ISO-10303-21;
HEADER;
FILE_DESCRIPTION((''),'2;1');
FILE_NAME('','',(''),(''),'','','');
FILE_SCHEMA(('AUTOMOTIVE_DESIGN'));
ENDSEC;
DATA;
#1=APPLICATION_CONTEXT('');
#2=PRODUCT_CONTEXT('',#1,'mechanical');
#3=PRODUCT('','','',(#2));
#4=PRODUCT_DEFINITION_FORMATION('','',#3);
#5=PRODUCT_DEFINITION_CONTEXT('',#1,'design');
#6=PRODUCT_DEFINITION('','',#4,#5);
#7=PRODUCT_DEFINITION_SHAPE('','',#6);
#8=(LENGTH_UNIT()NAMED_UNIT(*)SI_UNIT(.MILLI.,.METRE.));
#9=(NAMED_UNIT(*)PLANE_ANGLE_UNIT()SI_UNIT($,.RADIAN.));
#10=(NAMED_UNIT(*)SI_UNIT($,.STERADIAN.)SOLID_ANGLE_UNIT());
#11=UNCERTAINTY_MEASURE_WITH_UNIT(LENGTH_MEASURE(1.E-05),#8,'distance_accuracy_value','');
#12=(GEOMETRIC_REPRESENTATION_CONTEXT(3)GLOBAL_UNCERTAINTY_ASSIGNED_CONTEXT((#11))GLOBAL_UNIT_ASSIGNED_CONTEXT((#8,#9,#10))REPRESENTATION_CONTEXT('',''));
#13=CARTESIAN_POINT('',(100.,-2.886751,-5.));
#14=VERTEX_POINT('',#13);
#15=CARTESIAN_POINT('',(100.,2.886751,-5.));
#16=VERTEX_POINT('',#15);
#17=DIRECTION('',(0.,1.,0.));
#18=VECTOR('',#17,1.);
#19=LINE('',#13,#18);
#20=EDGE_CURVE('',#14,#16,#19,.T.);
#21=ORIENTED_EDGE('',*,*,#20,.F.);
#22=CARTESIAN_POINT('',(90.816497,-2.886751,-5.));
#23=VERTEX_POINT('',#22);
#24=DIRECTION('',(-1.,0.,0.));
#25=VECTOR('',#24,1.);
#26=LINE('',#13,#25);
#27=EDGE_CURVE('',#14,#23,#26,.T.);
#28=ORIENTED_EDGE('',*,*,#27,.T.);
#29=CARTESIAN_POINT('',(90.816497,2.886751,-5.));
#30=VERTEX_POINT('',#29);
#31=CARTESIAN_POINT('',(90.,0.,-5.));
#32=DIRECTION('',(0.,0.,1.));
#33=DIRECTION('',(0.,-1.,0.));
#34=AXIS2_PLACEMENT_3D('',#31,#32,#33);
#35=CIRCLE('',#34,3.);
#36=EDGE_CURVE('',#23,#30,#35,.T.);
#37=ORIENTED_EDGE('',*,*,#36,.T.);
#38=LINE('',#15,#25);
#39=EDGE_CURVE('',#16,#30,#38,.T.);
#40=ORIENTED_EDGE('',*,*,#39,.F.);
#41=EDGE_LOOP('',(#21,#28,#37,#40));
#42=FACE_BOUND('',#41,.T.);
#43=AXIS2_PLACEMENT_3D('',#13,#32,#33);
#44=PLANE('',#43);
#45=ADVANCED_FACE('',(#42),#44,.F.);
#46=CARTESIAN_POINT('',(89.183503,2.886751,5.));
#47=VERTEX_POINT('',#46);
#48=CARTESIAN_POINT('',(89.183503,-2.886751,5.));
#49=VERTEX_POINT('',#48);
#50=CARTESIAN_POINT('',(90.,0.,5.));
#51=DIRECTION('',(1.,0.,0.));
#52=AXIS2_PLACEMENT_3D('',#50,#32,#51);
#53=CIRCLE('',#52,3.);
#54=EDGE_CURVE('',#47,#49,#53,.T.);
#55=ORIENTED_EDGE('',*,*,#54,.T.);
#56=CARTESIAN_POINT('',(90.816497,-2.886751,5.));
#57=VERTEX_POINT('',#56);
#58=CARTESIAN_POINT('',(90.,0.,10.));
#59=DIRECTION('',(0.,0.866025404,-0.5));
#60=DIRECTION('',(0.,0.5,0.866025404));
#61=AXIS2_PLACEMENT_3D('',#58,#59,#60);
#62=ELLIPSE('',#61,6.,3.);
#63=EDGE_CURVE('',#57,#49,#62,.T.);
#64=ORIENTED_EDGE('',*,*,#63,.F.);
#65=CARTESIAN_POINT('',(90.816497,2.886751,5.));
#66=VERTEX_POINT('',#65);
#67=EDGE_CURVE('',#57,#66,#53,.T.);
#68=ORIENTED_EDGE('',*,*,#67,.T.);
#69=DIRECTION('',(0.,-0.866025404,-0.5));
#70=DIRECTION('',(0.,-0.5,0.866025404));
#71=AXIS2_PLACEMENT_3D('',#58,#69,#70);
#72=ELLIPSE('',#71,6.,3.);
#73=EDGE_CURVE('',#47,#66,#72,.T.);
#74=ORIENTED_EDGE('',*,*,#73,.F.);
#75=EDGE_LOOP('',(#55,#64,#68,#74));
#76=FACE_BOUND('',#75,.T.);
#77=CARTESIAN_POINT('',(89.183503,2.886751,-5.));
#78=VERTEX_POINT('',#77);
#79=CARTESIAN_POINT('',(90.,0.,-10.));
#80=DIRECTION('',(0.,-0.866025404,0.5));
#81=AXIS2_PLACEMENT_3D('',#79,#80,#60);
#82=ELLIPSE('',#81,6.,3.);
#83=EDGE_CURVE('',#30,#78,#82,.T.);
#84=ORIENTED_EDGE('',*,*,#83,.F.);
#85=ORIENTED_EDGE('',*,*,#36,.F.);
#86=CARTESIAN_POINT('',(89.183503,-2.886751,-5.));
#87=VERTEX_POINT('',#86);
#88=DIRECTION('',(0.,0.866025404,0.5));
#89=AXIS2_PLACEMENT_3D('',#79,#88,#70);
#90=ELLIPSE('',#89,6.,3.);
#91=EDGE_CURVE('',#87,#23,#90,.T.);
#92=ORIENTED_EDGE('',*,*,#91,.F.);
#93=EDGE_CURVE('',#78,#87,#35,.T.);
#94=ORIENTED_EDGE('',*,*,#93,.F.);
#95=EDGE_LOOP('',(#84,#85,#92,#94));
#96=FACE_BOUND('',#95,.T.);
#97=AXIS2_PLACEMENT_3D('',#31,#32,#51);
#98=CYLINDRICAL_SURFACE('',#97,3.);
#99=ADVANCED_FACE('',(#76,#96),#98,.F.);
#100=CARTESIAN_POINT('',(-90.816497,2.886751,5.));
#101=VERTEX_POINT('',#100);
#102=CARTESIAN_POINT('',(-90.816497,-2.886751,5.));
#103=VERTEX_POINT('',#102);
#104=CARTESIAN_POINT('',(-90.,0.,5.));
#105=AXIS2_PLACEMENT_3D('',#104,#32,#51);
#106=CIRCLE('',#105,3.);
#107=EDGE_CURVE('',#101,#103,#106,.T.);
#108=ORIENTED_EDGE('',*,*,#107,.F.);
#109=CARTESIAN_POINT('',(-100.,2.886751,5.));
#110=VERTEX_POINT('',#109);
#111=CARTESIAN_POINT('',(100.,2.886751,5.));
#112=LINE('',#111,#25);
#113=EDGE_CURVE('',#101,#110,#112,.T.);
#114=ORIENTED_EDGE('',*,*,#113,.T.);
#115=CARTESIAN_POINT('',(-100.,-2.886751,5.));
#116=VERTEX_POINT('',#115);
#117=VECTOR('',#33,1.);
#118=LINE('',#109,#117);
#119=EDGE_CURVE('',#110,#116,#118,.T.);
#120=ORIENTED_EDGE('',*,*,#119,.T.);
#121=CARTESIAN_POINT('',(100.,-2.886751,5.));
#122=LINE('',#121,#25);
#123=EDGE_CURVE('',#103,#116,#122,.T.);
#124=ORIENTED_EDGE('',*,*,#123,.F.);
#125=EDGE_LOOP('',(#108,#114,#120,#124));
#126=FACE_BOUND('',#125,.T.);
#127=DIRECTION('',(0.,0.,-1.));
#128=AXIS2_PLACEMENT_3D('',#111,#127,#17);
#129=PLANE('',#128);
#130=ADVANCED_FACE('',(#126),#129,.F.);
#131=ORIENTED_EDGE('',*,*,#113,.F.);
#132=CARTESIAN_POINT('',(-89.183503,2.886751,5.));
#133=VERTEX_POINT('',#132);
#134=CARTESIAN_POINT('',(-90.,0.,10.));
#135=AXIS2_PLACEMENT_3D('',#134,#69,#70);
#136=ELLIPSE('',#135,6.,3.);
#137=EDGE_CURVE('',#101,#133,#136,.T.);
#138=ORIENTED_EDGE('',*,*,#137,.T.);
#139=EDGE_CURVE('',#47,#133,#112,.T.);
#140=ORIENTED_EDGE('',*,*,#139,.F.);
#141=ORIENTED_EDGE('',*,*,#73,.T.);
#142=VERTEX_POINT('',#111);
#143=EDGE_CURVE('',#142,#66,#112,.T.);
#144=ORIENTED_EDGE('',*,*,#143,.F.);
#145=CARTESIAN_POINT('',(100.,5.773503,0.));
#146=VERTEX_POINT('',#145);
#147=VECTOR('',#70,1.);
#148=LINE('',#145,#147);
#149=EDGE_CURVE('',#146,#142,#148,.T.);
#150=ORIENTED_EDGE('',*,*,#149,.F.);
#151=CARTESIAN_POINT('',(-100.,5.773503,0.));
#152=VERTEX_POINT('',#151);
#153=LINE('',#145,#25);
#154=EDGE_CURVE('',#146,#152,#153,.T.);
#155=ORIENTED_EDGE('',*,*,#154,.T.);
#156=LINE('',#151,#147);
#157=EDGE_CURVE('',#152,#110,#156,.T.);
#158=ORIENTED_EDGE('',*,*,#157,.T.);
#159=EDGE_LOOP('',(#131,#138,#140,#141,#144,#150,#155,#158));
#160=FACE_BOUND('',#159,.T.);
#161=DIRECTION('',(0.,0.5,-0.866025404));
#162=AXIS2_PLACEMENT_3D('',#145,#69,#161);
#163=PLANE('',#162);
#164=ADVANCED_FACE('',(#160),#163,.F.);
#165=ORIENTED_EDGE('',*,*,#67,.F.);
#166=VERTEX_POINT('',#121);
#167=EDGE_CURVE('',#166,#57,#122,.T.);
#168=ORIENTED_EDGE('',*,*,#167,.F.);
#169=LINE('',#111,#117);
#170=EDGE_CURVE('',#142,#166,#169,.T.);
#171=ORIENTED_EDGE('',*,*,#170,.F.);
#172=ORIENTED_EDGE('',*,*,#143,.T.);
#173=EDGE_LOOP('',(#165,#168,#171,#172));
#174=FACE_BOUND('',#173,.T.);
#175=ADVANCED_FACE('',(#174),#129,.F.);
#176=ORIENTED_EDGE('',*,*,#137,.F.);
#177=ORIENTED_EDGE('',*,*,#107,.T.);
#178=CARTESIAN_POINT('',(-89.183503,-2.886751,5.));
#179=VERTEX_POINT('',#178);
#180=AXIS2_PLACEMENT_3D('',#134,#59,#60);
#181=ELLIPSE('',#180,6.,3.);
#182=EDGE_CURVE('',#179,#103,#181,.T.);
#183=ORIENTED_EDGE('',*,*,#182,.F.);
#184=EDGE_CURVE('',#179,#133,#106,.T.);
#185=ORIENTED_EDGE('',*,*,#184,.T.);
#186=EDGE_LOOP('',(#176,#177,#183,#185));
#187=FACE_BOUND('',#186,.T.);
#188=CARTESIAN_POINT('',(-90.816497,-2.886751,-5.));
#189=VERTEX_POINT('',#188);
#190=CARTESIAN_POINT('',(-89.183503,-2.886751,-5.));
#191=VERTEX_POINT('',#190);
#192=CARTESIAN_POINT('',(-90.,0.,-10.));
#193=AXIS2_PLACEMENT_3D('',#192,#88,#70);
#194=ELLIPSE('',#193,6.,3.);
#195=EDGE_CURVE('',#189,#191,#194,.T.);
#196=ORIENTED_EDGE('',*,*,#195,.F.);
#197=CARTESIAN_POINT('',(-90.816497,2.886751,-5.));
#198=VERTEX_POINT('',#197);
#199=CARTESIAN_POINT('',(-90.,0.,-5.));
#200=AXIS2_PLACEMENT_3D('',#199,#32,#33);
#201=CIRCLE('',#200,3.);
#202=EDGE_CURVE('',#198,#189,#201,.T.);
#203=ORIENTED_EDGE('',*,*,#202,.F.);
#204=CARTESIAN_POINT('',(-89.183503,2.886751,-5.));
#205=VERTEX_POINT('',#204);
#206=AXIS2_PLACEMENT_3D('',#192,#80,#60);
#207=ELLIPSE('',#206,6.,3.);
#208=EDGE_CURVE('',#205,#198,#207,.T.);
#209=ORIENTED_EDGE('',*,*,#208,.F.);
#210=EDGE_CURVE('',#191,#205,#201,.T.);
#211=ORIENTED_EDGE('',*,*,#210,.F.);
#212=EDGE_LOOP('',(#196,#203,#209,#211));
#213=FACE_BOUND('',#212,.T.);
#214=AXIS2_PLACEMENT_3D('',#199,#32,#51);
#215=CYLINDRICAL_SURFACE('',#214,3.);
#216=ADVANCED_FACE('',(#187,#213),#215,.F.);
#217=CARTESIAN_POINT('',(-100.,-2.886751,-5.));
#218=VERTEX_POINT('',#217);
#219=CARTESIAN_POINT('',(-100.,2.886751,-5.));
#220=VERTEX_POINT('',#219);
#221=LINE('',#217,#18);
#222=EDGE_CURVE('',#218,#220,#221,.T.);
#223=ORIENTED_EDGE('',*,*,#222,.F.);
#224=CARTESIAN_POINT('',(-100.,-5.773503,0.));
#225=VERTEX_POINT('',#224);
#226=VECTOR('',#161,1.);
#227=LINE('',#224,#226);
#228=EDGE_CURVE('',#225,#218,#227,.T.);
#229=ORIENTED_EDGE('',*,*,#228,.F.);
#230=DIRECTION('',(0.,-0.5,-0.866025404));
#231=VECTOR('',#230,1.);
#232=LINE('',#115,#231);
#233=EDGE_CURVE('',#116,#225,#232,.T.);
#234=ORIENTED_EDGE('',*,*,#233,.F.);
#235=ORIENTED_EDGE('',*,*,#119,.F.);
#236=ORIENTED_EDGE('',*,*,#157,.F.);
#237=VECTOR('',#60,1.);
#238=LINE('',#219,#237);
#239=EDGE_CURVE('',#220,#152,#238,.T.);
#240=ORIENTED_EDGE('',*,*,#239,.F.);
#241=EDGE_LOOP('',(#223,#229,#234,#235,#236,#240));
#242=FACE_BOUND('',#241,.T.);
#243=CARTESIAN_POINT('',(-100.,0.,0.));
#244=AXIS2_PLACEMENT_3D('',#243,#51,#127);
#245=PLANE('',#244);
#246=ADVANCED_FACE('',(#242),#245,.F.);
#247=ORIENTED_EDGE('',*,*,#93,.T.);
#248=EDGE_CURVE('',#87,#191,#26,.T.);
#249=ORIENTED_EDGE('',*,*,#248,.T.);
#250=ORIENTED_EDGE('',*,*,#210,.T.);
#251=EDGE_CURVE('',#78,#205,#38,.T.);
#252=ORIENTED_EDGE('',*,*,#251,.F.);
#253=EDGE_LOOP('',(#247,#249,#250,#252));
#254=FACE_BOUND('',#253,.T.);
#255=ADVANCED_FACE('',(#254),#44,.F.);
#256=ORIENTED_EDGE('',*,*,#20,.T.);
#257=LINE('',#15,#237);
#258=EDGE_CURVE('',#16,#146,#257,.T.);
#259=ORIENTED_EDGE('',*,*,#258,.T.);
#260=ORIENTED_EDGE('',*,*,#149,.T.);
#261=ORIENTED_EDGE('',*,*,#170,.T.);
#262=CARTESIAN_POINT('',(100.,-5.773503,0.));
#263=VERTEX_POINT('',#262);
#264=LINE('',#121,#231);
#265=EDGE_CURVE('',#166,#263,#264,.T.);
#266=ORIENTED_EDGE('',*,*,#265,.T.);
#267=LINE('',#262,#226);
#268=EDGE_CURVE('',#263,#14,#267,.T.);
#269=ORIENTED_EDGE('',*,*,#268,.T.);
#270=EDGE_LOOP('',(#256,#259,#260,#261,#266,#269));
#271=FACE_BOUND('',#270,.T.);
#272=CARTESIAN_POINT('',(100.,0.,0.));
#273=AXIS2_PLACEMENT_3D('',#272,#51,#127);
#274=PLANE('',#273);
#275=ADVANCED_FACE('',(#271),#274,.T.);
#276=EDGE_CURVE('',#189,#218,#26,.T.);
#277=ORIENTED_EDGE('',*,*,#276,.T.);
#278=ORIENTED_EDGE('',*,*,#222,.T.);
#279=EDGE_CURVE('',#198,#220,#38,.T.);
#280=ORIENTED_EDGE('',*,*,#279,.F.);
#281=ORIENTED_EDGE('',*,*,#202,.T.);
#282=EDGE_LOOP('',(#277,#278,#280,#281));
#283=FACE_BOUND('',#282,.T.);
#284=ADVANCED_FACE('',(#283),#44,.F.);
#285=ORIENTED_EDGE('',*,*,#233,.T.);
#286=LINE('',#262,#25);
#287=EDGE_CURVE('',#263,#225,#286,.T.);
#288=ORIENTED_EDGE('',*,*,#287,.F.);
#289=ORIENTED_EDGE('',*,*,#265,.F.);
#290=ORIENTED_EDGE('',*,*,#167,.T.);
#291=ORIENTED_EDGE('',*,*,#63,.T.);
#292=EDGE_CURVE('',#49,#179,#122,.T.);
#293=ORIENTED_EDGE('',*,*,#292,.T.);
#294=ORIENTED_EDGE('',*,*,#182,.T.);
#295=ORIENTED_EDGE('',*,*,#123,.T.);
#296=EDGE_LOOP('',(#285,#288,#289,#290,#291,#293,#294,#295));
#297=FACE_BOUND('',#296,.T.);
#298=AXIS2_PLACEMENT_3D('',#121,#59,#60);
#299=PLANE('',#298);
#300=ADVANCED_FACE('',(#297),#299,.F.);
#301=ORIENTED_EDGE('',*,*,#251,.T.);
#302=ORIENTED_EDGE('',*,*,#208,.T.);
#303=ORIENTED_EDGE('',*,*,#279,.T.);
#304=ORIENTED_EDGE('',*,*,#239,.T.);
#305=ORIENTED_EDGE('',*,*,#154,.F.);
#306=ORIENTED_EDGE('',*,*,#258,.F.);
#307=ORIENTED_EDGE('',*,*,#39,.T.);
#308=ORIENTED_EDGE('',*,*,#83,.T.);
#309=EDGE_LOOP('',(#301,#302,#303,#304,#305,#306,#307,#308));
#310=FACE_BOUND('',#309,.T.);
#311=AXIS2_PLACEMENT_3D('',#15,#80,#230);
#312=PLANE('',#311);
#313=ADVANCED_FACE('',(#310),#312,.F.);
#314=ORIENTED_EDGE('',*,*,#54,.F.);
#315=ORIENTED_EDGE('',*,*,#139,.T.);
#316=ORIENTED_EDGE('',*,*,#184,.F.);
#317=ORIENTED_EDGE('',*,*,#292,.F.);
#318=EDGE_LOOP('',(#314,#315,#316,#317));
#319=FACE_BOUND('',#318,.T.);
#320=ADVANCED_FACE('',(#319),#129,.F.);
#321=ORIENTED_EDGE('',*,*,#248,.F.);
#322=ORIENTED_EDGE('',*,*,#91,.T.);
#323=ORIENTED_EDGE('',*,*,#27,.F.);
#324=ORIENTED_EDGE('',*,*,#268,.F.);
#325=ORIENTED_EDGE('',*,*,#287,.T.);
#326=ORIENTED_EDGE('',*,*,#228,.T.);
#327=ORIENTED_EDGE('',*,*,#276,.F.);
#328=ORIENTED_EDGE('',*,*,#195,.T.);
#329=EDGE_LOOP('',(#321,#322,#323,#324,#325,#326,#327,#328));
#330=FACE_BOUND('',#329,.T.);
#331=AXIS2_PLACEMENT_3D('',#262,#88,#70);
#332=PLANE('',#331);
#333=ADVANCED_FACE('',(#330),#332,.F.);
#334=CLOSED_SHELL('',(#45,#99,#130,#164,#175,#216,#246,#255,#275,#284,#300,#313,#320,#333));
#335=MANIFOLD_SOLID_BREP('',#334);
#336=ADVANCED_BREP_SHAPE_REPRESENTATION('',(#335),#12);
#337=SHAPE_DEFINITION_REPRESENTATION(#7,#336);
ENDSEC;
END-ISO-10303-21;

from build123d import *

# Parameters (mm, degrees)
BOSS_EXTRUDE1_DEPTH     = 100
SKETCH2_R               = 3
CUT_EXTRUDE1_DEPTH      = 6
CUT_EXTRUDE1_DEPTH_BACK = 6


with BuildPart() as part:
    # Sketch1 → Boss-Extrude1 (new body, symmetric)
    with BuildSketch(Plane(origin=(0, 0, 0), x_dir=(0, 0, -1), z_dir=(1, 0, 0))):
        Polygon((0, 5.773502692), (-5, 2.886751346), (-5, -2.886751346), (0, -5.773502692), (5, -2.886751346), (5, 2.886751346), align=None)
    extrude(amount=BOSS_EXTRUDE1_DEPTH, both=True)

    # Sketch2 → Cut-Extrude1 (cut, two sides)
    with BuildSketch(Plane.XY) as cut_extrude1_sk:
        with Locations((90, 0)):
            Circle(SKETCH2_R)
        with Locations((-90, 0)):
            Circle(SKETCH2_R)
    extrude(amount=CUT_EXTRUDE1_DEPTH, mode=Mode.SUBTRACT)
    extrude(cut_extrude1_sk.sketch, amount=-CUT_EXTRUDE1_DEPTH_BACK, mode=Mode.SUBTRACT)


solid = part.part
